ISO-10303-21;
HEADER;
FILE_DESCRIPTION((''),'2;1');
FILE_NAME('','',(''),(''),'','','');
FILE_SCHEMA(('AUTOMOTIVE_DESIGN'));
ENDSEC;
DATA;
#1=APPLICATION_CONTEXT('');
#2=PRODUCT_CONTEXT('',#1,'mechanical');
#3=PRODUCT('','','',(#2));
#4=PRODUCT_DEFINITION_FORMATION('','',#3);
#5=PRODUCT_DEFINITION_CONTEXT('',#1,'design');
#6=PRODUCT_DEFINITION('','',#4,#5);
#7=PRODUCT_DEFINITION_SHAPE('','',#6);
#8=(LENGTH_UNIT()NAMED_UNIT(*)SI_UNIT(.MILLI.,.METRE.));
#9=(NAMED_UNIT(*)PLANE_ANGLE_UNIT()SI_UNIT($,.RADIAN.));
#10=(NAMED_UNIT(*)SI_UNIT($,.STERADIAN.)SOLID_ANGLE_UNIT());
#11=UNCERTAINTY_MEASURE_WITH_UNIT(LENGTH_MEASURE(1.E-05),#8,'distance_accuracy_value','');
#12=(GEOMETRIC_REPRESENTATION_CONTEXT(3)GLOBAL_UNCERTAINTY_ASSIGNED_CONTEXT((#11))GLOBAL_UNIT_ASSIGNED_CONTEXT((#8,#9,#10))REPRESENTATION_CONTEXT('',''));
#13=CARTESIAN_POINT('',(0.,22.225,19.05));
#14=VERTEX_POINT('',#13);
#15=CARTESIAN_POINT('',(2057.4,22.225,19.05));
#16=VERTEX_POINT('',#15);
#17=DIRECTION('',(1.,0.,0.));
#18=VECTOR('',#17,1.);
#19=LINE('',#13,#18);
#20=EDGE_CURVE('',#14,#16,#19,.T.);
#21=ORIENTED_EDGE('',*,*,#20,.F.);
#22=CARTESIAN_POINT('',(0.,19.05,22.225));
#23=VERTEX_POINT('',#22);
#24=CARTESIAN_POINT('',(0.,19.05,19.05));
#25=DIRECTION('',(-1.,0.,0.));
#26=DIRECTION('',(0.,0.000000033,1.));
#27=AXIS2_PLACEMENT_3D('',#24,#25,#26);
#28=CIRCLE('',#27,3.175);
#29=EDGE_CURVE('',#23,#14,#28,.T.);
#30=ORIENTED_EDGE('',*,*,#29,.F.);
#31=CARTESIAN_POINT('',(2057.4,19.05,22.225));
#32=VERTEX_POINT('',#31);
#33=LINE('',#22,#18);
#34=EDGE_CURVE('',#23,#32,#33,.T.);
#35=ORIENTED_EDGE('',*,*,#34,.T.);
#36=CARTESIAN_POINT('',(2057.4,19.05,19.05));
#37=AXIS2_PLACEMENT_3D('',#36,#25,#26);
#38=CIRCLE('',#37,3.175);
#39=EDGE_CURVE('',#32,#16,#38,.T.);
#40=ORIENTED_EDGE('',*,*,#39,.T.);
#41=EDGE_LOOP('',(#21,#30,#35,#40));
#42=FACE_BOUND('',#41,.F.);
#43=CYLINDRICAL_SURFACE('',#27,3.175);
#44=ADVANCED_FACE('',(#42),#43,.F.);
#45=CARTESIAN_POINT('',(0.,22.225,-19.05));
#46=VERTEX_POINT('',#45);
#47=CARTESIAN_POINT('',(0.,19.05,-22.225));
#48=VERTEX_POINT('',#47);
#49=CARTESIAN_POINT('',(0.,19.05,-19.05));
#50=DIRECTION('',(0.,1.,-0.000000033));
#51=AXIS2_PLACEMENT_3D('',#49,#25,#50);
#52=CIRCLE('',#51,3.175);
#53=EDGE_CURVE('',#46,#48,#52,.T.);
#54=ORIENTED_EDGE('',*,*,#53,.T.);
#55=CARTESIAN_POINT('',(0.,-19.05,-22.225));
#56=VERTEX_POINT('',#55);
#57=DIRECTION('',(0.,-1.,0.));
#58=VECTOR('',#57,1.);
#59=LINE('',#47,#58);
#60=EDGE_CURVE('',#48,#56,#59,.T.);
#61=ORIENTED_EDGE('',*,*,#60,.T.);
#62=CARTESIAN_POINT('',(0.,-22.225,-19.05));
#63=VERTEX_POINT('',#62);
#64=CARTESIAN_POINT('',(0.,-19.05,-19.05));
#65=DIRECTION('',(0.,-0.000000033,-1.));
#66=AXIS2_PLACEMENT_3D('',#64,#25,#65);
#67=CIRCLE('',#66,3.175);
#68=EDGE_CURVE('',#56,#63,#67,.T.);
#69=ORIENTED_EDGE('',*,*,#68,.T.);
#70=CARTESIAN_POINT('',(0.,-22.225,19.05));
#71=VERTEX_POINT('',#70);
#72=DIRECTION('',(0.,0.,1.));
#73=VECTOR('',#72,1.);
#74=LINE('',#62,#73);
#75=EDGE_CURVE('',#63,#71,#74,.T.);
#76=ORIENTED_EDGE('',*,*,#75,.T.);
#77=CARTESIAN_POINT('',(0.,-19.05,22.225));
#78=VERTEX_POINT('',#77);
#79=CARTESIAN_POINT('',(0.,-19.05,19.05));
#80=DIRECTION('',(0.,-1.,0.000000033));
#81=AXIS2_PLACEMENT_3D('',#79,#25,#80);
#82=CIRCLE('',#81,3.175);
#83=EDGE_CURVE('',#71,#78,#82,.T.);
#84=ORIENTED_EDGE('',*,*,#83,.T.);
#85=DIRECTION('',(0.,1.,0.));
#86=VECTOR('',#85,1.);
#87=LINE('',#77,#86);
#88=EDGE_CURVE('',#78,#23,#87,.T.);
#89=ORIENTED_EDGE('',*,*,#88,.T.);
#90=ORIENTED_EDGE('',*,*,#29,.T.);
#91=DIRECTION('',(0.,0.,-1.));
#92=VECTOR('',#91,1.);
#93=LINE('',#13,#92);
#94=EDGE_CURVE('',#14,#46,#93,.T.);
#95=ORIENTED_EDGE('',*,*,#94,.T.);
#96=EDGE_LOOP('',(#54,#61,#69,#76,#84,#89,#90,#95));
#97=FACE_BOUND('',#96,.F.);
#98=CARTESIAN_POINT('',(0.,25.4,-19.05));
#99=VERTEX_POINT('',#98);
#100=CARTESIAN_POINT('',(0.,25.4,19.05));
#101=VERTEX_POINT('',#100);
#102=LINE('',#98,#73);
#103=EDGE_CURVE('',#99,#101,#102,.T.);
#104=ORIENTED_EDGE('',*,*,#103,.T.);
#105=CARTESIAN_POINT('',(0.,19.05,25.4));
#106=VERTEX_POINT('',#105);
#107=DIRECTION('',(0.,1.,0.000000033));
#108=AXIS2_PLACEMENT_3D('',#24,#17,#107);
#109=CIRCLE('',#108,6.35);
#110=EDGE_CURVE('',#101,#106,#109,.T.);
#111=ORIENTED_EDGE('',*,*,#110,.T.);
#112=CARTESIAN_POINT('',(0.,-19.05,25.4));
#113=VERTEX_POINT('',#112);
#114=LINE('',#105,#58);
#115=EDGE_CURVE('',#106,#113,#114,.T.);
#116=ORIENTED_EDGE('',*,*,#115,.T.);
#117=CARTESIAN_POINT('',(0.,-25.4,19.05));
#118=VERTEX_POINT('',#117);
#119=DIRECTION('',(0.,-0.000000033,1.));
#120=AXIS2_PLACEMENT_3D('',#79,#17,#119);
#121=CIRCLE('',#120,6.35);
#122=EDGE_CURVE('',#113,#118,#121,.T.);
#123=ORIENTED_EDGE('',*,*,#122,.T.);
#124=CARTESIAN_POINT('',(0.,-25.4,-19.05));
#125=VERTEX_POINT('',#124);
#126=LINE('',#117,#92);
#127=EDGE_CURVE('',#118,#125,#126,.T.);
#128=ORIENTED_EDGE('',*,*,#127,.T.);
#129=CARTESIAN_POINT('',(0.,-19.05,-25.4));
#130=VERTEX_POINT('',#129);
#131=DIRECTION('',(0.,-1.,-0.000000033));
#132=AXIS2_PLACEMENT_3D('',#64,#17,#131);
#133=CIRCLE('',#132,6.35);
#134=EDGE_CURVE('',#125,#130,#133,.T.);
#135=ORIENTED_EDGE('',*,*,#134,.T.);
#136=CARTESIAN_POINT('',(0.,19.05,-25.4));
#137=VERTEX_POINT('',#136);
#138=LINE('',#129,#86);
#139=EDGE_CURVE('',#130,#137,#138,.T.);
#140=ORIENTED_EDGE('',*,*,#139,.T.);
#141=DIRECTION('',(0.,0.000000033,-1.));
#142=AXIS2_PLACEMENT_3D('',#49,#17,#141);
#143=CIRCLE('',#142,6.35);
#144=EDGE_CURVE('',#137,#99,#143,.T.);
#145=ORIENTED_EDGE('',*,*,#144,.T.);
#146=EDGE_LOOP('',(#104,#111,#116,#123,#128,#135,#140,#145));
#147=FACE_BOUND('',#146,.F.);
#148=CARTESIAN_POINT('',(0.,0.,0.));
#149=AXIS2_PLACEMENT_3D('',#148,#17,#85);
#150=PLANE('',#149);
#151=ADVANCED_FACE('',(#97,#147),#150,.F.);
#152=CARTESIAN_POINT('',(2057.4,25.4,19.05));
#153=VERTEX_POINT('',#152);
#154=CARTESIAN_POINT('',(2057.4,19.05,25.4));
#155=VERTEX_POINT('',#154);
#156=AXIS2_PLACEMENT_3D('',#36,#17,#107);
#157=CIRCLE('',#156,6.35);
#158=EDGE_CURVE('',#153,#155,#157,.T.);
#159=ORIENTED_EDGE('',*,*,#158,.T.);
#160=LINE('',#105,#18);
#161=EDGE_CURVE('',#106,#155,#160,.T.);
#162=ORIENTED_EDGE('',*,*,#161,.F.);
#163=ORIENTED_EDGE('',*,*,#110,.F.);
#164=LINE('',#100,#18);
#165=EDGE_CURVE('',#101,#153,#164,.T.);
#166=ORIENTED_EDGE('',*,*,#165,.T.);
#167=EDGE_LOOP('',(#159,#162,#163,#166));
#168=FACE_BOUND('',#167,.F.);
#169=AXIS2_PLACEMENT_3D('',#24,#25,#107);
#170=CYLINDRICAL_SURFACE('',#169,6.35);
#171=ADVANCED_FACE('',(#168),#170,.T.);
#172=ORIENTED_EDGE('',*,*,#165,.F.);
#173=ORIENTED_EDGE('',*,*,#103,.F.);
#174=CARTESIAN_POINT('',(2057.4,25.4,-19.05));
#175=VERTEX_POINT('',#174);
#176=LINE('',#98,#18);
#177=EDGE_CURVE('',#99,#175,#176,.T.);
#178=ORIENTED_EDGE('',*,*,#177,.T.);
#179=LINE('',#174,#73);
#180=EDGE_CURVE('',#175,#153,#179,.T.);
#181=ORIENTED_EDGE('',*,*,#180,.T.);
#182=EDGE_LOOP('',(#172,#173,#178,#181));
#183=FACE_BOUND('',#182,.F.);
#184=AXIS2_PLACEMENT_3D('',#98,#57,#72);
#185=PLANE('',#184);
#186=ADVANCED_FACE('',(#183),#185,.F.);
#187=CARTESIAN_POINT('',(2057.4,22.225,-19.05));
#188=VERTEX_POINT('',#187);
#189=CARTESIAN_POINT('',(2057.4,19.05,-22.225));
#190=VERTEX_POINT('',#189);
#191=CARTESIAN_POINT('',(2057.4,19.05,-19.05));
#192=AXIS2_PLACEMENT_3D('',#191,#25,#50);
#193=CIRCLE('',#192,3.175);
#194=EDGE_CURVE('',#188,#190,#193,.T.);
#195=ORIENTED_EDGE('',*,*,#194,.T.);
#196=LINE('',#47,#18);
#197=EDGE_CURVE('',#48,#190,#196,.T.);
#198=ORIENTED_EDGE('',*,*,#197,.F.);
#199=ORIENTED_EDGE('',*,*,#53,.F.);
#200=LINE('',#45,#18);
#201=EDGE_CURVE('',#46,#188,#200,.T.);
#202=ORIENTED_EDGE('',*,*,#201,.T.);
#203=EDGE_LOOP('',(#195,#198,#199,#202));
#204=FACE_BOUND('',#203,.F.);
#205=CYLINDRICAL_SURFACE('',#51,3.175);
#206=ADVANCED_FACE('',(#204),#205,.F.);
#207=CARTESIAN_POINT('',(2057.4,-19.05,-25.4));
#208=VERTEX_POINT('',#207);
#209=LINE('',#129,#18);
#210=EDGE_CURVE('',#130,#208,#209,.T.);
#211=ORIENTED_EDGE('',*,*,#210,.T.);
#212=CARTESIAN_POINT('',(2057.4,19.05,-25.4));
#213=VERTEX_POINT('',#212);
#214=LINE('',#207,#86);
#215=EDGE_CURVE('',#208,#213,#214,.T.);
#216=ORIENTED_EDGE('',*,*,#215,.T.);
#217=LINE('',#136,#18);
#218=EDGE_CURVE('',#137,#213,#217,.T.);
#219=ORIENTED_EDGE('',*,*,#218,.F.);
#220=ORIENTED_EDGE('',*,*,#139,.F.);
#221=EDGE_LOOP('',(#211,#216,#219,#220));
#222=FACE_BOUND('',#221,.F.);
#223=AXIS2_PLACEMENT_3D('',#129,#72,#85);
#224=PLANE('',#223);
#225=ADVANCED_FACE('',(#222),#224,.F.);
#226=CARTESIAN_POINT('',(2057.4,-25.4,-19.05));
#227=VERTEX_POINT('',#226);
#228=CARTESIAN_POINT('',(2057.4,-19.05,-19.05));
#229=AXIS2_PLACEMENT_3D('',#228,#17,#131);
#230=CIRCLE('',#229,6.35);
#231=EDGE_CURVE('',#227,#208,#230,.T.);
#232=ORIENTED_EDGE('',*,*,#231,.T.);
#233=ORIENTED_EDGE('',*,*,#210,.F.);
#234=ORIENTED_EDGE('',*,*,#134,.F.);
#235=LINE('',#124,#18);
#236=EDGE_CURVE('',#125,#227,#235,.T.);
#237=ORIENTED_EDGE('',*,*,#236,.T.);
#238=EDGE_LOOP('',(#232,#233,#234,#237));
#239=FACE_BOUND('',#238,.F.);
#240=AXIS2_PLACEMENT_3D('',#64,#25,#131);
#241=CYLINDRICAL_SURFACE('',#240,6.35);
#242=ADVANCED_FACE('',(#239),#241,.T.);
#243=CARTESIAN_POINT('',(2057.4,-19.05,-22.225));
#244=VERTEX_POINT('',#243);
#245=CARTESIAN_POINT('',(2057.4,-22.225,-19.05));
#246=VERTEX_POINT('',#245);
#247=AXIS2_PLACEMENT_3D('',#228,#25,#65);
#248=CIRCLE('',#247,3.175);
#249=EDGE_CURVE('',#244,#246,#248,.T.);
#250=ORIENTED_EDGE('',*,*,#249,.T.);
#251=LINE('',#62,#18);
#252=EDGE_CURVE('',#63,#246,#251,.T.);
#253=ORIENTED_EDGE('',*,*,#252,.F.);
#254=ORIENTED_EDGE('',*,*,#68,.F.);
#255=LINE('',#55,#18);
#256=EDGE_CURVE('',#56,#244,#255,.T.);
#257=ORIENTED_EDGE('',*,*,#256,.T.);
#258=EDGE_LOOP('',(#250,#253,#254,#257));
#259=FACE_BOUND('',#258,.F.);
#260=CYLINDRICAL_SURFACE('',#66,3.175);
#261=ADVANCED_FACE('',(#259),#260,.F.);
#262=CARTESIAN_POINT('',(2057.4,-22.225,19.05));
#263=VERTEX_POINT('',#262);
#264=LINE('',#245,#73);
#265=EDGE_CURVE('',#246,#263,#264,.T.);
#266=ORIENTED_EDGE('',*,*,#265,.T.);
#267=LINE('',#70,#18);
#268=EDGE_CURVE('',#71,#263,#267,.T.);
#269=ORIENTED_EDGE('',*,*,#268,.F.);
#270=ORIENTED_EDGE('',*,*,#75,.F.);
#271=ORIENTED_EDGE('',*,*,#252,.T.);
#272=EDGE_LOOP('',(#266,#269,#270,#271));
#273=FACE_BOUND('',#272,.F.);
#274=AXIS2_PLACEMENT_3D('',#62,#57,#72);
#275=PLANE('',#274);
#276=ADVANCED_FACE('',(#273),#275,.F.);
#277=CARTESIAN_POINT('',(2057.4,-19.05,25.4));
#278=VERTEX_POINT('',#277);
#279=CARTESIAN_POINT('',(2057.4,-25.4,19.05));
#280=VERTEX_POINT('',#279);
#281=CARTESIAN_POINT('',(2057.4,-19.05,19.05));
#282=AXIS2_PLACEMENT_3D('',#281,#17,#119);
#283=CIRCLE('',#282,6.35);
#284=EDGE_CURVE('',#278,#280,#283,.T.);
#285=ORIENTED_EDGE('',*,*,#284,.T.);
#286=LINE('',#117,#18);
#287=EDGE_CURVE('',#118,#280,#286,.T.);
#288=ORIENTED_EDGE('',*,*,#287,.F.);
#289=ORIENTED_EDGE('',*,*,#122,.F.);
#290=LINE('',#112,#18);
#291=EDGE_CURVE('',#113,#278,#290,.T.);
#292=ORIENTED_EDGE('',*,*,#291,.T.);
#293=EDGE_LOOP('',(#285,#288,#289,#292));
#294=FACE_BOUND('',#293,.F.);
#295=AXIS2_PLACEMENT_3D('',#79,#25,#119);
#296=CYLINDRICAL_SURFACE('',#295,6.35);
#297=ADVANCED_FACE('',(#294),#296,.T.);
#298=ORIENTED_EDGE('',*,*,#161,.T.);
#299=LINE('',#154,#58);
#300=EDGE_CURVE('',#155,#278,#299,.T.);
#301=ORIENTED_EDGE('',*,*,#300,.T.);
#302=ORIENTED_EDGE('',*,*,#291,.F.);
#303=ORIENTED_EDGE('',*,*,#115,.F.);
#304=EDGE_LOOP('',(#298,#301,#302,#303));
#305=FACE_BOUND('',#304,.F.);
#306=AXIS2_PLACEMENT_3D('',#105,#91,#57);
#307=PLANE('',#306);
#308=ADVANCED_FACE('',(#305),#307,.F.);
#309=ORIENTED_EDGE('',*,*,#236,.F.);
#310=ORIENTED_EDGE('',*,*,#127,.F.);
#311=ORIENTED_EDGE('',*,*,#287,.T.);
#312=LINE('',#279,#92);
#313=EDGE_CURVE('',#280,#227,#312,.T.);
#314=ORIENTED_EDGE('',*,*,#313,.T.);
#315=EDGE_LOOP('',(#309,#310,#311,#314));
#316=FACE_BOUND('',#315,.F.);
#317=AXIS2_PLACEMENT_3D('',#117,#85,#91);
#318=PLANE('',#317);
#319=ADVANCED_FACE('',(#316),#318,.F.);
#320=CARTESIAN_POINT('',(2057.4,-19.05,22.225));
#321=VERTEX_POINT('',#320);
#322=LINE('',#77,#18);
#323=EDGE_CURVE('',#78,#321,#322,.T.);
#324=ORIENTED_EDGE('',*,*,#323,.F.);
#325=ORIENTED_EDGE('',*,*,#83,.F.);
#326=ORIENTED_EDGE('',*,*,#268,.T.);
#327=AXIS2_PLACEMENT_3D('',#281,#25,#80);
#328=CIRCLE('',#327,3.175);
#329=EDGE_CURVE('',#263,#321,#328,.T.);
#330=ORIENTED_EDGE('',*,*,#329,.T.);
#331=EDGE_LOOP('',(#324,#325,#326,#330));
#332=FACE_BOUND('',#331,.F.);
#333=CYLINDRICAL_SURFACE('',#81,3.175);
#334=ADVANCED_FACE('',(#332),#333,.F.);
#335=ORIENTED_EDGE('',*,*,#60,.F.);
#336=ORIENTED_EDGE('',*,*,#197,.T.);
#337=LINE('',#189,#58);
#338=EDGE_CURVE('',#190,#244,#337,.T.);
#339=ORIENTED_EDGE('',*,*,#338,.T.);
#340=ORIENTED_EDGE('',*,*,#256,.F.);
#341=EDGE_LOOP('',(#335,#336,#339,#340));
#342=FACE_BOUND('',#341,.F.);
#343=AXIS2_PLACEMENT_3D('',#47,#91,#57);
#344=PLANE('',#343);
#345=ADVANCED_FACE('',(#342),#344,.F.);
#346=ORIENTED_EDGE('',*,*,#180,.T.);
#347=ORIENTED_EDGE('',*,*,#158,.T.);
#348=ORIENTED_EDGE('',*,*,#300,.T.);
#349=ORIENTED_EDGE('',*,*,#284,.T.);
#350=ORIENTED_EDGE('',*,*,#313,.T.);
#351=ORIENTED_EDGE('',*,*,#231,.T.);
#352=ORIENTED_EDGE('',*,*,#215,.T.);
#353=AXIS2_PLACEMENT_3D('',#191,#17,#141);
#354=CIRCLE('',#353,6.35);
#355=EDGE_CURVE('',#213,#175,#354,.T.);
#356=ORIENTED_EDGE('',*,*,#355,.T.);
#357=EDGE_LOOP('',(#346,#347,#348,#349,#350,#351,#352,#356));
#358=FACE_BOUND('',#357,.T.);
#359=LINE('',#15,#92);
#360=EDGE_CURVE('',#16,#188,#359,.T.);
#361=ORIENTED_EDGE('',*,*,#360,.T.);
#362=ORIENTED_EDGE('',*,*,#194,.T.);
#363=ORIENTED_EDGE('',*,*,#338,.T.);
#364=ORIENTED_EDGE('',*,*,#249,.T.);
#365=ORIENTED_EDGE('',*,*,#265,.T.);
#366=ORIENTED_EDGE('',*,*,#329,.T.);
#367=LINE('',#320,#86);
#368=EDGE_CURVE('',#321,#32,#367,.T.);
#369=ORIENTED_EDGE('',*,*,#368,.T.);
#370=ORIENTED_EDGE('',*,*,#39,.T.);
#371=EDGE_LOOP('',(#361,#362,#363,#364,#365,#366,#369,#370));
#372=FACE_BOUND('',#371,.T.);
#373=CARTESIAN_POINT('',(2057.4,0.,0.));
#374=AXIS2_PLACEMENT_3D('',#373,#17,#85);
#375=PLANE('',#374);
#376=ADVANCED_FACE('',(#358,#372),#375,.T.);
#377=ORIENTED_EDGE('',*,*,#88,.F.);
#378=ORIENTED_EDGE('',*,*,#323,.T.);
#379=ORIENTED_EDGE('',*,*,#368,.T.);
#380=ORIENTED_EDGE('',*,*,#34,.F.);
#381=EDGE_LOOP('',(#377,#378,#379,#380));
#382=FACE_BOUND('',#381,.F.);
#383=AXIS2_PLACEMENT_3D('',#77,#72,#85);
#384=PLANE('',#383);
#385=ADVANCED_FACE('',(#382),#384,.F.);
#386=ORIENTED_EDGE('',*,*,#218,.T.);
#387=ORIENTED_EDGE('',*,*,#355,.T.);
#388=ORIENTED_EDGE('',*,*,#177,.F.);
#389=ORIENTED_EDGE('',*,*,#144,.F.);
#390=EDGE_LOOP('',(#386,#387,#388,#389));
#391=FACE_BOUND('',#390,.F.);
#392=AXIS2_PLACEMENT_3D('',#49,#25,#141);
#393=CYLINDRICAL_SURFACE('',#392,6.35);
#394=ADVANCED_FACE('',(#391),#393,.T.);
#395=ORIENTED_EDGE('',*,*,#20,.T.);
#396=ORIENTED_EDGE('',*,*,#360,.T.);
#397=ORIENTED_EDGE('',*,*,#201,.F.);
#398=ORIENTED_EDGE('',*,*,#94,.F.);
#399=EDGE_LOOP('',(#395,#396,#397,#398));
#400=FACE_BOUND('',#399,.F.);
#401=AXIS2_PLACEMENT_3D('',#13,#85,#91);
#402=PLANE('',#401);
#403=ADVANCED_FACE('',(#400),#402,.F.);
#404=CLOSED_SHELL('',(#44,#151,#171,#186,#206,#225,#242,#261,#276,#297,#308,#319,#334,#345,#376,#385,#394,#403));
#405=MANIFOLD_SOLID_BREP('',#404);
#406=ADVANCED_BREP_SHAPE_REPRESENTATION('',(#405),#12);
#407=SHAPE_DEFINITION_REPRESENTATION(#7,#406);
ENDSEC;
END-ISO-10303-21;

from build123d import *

# Parameters (mm, degrees)
F1_DEPTH = 2057.4


with BuildPart() as f1:
    # F0 (on Right) → F1 (new body)
    with BuildSketch(Plane.YZ):
        with BuildLine():
            ThreePointArc((25.4, 19.05), (23.540128, 23.540128), (19.05, 25.4))
            Line((19.05, 25.4), (-19.05, 25.4))
            ThreePointArc((-19.05, 25.4), (-23.540128, 23.540128), (-25.4, 19.05))
            Line((-25.4, 19.05), (-25.4, -19.05))
            ThreePointArc((-25.4, -19.05), (-23.540128, -23.540128), (-19.05, -25.4))
            Line((-19.05, -25.4), (19.05, -25.4))
            ThreePointArc((19.05, -25.4), (23.540128, -23.540128), (25.4, -19.05))
            Line((25.4, -19.05), (25.4, 19.05))
        make_face()
        with BuildLine():
            ThreePointArc((19.05, 22.225), (21.295064, 21.295064), (22.225, 19.05))
            Line((22.225, 19.05), (22.225, -19.05))
            ThreePointArc((22.225, -19.05), (21.295064, -21.295064), (19.05, -22.225))
            Line((19.05, -22.225), (-19.05, -22.225))
            ThreePointArc((-19.05, -22.225), (-21.295064, -21.295064), (-22.225, -19.05))
            Line((-22.225, -19.05), (-22.225, 19.05))
            ThreePointArc((-22.225, 19.05), (-21.295064, 21.295064), (-19.05, 22.225))
            Line((-19.05, 22.225), (19.05, 22.225))
        make_face(mode=Mode.SUBTRACT)
    extrude(amount=F1_DEPTH)


solid = f1.part
